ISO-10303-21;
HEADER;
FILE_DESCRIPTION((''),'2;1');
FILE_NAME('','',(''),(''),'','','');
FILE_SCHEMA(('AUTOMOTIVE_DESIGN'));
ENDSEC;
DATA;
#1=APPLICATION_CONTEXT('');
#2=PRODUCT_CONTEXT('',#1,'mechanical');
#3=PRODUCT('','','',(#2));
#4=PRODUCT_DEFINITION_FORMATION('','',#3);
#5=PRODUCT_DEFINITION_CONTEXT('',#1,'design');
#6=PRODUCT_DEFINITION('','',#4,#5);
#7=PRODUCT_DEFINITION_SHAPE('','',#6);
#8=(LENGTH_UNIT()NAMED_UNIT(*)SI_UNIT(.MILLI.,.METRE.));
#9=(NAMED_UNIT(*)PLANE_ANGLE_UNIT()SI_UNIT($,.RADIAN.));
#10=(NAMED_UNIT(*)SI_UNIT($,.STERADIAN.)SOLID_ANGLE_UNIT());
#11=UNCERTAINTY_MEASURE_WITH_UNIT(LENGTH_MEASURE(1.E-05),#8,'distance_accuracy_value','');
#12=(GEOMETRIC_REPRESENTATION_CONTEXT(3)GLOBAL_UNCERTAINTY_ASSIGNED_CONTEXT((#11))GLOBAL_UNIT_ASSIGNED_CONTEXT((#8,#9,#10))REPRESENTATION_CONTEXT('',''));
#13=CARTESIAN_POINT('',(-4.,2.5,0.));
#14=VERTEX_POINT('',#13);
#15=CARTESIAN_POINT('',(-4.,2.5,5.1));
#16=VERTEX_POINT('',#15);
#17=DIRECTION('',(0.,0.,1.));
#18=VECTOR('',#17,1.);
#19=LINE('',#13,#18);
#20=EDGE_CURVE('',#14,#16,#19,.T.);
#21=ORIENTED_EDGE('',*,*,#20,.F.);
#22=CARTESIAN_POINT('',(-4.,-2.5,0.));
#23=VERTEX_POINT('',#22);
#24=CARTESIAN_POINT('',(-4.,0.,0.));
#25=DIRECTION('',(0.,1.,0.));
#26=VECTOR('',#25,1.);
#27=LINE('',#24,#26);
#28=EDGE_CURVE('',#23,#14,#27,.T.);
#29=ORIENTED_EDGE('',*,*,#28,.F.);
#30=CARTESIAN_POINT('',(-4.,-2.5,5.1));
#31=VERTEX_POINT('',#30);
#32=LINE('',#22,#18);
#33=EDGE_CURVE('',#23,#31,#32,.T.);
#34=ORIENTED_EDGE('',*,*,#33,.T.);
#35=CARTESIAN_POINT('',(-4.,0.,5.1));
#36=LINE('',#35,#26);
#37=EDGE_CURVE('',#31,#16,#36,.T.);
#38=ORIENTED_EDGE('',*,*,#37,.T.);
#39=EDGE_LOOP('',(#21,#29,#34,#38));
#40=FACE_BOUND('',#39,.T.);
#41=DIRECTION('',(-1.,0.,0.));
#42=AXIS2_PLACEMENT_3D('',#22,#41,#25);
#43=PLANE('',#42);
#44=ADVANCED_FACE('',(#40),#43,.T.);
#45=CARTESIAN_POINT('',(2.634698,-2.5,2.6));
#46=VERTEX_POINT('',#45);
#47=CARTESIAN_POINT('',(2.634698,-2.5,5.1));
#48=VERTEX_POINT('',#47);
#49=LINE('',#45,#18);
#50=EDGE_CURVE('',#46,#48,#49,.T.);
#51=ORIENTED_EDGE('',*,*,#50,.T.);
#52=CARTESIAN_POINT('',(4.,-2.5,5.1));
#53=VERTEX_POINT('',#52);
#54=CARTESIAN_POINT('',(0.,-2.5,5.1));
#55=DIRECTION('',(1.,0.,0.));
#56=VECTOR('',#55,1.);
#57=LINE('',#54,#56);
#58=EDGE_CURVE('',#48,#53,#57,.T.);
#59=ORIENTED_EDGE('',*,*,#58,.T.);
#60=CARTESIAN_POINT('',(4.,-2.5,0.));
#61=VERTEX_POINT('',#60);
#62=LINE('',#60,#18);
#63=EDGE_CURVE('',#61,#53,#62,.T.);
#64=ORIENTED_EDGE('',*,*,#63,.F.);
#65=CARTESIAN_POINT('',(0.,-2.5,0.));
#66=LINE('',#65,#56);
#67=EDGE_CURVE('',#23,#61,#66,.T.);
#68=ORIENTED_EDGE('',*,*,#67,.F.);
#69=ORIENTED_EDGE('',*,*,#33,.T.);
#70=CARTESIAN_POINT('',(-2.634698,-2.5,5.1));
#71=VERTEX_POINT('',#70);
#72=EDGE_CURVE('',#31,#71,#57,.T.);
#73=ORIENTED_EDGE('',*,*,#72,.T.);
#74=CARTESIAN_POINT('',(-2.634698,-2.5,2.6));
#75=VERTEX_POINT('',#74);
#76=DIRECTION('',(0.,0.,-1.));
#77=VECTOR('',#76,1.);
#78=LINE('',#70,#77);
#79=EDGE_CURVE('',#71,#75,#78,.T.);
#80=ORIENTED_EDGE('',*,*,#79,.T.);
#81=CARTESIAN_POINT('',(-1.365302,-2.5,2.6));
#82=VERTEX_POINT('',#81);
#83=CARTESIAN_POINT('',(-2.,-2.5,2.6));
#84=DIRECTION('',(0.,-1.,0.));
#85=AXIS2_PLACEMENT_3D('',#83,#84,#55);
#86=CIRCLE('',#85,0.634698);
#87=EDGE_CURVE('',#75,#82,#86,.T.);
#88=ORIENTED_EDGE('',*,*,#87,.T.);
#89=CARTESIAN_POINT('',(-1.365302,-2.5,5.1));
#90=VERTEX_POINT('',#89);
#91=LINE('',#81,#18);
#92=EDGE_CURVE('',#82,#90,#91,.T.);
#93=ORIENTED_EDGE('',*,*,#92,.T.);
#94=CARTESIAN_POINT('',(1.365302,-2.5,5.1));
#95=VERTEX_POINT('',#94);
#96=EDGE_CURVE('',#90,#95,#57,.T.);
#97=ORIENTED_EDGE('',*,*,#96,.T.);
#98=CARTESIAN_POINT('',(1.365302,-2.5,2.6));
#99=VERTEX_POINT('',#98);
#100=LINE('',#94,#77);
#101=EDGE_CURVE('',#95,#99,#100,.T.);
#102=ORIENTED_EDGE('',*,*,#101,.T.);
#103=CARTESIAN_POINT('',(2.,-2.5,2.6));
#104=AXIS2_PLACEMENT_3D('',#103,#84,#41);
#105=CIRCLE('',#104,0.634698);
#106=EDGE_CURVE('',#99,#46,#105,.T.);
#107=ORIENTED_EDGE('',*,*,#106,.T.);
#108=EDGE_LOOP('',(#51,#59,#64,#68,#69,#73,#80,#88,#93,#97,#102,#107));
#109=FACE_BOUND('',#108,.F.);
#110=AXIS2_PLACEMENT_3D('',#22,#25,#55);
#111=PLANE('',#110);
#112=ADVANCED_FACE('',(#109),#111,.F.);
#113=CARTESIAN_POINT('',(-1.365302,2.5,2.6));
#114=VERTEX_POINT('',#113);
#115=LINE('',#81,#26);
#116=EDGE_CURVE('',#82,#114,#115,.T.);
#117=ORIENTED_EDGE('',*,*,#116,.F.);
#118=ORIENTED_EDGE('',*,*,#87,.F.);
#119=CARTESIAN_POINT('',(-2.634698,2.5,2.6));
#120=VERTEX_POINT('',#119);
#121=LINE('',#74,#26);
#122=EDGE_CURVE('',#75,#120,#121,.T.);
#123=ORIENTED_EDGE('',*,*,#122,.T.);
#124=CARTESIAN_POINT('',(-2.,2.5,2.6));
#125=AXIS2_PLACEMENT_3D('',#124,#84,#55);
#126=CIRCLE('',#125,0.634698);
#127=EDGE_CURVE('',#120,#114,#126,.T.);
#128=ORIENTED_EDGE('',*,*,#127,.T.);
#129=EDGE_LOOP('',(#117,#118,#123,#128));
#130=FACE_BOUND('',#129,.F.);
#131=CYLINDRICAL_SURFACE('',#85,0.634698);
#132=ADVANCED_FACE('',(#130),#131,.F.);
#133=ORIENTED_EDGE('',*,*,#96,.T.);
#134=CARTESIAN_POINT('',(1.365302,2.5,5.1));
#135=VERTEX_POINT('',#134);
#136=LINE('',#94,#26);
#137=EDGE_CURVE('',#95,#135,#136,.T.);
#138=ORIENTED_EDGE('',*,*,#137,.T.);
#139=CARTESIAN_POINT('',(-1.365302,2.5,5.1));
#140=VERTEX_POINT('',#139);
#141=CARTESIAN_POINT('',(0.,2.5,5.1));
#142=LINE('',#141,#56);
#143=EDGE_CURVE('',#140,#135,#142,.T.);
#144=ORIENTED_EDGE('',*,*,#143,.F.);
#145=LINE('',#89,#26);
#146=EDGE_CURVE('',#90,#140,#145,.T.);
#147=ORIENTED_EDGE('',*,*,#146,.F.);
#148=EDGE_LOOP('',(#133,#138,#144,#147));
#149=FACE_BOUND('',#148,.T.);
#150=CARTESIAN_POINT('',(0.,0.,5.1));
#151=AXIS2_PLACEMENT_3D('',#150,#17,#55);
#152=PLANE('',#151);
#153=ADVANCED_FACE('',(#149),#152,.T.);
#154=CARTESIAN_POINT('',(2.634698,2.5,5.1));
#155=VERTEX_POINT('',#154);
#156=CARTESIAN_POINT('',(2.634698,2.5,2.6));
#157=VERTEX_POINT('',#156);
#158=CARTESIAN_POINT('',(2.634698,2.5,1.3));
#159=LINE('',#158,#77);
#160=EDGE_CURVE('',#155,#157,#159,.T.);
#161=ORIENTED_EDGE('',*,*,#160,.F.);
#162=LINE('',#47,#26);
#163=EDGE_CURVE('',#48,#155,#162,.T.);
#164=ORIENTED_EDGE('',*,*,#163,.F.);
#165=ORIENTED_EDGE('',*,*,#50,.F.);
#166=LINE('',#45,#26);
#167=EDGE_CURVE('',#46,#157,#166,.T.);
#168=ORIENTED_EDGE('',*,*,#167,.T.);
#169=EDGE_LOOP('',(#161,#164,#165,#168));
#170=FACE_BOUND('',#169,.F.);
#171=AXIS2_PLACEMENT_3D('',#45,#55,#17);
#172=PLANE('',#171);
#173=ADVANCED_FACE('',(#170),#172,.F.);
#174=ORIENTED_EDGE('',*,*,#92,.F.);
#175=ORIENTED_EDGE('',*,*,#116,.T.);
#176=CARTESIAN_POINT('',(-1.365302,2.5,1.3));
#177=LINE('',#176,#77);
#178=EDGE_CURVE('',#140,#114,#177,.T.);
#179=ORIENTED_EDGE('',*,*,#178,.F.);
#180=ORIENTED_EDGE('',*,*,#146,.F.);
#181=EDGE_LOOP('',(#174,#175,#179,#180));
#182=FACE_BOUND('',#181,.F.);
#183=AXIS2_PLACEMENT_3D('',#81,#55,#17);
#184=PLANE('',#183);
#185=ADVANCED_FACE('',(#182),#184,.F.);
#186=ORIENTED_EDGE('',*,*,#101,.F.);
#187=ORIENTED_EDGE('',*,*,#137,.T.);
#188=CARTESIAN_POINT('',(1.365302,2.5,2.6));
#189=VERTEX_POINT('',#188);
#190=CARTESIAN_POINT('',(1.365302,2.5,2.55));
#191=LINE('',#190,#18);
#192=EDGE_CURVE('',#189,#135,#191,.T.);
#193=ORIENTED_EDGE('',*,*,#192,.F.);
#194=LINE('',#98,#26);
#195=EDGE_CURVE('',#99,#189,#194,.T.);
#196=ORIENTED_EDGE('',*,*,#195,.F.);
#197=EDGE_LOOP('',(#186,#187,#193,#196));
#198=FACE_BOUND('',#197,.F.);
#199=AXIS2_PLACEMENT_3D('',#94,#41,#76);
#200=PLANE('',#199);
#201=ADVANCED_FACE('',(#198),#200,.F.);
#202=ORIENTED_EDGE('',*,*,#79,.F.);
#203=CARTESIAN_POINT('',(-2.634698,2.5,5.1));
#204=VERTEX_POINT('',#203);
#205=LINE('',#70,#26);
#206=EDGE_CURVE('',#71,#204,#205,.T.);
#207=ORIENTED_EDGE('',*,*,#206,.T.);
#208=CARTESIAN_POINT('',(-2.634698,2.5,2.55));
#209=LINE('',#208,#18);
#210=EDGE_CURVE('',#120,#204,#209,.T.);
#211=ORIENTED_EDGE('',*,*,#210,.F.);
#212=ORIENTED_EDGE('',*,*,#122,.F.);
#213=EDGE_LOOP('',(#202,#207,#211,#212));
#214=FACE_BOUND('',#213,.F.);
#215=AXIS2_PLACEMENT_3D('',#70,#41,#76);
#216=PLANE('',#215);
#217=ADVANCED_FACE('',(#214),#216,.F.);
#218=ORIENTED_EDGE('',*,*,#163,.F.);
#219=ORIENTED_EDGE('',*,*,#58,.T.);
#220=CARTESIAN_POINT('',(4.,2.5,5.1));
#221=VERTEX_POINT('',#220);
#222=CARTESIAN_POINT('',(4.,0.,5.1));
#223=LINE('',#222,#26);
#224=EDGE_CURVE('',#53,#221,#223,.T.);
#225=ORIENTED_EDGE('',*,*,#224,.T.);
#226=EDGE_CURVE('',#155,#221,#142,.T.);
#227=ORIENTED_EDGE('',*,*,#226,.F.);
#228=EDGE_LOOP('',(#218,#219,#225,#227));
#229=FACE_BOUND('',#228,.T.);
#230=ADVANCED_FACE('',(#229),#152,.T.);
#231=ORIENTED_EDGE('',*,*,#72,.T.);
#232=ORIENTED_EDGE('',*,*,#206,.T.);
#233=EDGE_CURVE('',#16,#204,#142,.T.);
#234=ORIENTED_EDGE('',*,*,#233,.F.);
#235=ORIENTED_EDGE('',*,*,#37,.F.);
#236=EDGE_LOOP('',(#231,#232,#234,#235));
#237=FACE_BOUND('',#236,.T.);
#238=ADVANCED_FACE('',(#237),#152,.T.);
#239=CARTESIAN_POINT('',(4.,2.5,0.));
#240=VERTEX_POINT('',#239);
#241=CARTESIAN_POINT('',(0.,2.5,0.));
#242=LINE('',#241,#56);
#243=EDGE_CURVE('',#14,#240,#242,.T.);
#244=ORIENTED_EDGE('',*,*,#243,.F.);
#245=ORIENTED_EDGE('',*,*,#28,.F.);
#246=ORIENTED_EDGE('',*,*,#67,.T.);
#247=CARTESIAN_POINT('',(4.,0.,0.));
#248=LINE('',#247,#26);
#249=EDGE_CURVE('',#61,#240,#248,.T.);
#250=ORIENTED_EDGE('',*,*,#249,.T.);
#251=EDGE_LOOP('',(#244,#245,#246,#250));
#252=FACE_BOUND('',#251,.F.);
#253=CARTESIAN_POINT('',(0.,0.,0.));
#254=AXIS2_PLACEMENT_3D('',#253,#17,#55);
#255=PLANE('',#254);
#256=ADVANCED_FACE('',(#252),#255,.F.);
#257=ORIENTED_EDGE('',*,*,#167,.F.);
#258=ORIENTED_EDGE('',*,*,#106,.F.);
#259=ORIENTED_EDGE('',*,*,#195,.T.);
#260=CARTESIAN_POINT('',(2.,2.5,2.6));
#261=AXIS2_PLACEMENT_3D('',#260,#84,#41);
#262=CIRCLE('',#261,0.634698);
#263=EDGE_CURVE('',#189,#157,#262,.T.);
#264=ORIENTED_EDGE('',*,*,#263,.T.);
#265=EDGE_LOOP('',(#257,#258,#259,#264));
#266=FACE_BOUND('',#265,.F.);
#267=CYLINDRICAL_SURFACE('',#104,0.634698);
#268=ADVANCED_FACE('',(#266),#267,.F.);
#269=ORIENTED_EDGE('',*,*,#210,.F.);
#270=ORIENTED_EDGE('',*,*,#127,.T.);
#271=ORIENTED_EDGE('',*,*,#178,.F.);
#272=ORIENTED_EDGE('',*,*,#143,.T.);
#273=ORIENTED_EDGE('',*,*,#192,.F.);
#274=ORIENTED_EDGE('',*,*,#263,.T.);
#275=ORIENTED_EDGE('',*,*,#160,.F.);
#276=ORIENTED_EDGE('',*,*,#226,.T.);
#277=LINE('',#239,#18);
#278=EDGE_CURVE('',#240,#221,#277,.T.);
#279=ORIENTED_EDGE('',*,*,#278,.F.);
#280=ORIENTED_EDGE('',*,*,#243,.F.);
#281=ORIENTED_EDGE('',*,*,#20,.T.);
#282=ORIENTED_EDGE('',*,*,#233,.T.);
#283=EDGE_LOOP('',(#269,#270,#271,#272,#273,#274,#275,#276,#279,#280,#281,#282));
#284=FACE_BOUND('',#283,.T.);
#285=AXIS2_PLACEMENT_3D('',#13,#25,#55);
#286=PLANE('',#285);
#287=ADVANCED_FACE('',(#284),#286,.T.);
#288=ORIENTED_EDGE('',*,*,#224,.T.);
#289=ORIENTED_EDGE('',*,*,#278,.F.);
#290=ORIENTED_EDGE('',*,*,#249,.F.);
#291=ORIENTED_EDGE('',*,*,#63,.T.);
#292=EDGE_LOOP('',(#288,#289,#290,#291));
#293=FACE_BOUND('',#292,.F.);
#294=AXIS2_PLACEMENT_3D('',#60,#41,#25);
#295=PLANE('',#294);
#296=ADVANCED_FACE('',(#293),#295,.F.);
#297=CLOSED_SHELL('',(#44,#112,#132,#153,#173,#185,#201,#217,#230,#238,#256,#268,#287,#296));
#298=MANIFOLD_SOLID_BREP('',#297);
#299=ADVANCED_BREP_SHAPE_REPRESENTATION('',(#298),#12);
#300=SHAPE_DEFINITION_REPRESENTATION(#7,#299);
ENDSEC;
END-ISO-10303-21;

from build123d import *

# Parameters (mm, degrees)
F0_W     = 8
F0_H     = 5
F1_DEPTH = 5.1
F3_DEPTH = 25


with BuildPart() as f1:
    # F0 (on Top) → F1 (new body)
    with BuildSketch(Plane.XY):
        Rectangle(F0_W, F0_H)
    extrude(amount=F1_DEPTH)

    # F2 (on face) → F3 (cut)
    with BuildSketch(Plane.XZ.offset(2.5)):
        with BuildLine():
            Line((2, 5.1), (1.365302, 5.1))
            Line((1.365302, 5.1), (1.365302, 2.6))
            ThreePointArc((1.365302, 2.6), (1.551201, 3.048799), (2, 3.234698))
            Line((2, 3.234698), (2, 5.1))
        make_face()
        with BuildLine():
            Line((-1.365302, 2.6), (-1.365302, 5.1))
            Line((-1.365302, 5.1), (-2, 5.1))
            Line((-2, 5.1), (-2.634698, 5.1))
            Line((-2.634698, 5.1), (-2.634698, 2.6))
            ThreePointArc((-2.634698, 2.6), (-2, 3.234698), (-1.365302, 2.6))
        make_face()
        with BuildLine():
            Line((2.634698, 5.1), (2, 5.1))
            Line((2, 5.1), (2, 3.234698))
            ThreePointArc((2, 3.234698), (2.448799, 3.048799), (2.634698, 2.6))
            Line((2.634698, 2.6), (2.634698, 5.1))
        make_face()
        with BuildLine():
            ThreePointArc((2, 3.234698), (1.551201, 3.048799), (1.365302, 2.6))
            ThreePointArc((1.365302, 2.6), (2, 1.965302), (2.634698, 2.6))
            ThreePointArc((2.634698, 2.6), (2.448799, 3.048799), (2, 3.234698))
        make_face()
        with BuildLine():
            ThreePointArc((-2.634698, 2.6), (-2, 1.965302), (-1.365302, 2.6))
            ThreePointArc((-1.365302, 2.6), (-2, 3.234698), (-2.634698, 2.6))
        make_face()
    extrude(amount=-F3_DEPTH, mode=Mode.SUBTRACT)


solid = f1.part
